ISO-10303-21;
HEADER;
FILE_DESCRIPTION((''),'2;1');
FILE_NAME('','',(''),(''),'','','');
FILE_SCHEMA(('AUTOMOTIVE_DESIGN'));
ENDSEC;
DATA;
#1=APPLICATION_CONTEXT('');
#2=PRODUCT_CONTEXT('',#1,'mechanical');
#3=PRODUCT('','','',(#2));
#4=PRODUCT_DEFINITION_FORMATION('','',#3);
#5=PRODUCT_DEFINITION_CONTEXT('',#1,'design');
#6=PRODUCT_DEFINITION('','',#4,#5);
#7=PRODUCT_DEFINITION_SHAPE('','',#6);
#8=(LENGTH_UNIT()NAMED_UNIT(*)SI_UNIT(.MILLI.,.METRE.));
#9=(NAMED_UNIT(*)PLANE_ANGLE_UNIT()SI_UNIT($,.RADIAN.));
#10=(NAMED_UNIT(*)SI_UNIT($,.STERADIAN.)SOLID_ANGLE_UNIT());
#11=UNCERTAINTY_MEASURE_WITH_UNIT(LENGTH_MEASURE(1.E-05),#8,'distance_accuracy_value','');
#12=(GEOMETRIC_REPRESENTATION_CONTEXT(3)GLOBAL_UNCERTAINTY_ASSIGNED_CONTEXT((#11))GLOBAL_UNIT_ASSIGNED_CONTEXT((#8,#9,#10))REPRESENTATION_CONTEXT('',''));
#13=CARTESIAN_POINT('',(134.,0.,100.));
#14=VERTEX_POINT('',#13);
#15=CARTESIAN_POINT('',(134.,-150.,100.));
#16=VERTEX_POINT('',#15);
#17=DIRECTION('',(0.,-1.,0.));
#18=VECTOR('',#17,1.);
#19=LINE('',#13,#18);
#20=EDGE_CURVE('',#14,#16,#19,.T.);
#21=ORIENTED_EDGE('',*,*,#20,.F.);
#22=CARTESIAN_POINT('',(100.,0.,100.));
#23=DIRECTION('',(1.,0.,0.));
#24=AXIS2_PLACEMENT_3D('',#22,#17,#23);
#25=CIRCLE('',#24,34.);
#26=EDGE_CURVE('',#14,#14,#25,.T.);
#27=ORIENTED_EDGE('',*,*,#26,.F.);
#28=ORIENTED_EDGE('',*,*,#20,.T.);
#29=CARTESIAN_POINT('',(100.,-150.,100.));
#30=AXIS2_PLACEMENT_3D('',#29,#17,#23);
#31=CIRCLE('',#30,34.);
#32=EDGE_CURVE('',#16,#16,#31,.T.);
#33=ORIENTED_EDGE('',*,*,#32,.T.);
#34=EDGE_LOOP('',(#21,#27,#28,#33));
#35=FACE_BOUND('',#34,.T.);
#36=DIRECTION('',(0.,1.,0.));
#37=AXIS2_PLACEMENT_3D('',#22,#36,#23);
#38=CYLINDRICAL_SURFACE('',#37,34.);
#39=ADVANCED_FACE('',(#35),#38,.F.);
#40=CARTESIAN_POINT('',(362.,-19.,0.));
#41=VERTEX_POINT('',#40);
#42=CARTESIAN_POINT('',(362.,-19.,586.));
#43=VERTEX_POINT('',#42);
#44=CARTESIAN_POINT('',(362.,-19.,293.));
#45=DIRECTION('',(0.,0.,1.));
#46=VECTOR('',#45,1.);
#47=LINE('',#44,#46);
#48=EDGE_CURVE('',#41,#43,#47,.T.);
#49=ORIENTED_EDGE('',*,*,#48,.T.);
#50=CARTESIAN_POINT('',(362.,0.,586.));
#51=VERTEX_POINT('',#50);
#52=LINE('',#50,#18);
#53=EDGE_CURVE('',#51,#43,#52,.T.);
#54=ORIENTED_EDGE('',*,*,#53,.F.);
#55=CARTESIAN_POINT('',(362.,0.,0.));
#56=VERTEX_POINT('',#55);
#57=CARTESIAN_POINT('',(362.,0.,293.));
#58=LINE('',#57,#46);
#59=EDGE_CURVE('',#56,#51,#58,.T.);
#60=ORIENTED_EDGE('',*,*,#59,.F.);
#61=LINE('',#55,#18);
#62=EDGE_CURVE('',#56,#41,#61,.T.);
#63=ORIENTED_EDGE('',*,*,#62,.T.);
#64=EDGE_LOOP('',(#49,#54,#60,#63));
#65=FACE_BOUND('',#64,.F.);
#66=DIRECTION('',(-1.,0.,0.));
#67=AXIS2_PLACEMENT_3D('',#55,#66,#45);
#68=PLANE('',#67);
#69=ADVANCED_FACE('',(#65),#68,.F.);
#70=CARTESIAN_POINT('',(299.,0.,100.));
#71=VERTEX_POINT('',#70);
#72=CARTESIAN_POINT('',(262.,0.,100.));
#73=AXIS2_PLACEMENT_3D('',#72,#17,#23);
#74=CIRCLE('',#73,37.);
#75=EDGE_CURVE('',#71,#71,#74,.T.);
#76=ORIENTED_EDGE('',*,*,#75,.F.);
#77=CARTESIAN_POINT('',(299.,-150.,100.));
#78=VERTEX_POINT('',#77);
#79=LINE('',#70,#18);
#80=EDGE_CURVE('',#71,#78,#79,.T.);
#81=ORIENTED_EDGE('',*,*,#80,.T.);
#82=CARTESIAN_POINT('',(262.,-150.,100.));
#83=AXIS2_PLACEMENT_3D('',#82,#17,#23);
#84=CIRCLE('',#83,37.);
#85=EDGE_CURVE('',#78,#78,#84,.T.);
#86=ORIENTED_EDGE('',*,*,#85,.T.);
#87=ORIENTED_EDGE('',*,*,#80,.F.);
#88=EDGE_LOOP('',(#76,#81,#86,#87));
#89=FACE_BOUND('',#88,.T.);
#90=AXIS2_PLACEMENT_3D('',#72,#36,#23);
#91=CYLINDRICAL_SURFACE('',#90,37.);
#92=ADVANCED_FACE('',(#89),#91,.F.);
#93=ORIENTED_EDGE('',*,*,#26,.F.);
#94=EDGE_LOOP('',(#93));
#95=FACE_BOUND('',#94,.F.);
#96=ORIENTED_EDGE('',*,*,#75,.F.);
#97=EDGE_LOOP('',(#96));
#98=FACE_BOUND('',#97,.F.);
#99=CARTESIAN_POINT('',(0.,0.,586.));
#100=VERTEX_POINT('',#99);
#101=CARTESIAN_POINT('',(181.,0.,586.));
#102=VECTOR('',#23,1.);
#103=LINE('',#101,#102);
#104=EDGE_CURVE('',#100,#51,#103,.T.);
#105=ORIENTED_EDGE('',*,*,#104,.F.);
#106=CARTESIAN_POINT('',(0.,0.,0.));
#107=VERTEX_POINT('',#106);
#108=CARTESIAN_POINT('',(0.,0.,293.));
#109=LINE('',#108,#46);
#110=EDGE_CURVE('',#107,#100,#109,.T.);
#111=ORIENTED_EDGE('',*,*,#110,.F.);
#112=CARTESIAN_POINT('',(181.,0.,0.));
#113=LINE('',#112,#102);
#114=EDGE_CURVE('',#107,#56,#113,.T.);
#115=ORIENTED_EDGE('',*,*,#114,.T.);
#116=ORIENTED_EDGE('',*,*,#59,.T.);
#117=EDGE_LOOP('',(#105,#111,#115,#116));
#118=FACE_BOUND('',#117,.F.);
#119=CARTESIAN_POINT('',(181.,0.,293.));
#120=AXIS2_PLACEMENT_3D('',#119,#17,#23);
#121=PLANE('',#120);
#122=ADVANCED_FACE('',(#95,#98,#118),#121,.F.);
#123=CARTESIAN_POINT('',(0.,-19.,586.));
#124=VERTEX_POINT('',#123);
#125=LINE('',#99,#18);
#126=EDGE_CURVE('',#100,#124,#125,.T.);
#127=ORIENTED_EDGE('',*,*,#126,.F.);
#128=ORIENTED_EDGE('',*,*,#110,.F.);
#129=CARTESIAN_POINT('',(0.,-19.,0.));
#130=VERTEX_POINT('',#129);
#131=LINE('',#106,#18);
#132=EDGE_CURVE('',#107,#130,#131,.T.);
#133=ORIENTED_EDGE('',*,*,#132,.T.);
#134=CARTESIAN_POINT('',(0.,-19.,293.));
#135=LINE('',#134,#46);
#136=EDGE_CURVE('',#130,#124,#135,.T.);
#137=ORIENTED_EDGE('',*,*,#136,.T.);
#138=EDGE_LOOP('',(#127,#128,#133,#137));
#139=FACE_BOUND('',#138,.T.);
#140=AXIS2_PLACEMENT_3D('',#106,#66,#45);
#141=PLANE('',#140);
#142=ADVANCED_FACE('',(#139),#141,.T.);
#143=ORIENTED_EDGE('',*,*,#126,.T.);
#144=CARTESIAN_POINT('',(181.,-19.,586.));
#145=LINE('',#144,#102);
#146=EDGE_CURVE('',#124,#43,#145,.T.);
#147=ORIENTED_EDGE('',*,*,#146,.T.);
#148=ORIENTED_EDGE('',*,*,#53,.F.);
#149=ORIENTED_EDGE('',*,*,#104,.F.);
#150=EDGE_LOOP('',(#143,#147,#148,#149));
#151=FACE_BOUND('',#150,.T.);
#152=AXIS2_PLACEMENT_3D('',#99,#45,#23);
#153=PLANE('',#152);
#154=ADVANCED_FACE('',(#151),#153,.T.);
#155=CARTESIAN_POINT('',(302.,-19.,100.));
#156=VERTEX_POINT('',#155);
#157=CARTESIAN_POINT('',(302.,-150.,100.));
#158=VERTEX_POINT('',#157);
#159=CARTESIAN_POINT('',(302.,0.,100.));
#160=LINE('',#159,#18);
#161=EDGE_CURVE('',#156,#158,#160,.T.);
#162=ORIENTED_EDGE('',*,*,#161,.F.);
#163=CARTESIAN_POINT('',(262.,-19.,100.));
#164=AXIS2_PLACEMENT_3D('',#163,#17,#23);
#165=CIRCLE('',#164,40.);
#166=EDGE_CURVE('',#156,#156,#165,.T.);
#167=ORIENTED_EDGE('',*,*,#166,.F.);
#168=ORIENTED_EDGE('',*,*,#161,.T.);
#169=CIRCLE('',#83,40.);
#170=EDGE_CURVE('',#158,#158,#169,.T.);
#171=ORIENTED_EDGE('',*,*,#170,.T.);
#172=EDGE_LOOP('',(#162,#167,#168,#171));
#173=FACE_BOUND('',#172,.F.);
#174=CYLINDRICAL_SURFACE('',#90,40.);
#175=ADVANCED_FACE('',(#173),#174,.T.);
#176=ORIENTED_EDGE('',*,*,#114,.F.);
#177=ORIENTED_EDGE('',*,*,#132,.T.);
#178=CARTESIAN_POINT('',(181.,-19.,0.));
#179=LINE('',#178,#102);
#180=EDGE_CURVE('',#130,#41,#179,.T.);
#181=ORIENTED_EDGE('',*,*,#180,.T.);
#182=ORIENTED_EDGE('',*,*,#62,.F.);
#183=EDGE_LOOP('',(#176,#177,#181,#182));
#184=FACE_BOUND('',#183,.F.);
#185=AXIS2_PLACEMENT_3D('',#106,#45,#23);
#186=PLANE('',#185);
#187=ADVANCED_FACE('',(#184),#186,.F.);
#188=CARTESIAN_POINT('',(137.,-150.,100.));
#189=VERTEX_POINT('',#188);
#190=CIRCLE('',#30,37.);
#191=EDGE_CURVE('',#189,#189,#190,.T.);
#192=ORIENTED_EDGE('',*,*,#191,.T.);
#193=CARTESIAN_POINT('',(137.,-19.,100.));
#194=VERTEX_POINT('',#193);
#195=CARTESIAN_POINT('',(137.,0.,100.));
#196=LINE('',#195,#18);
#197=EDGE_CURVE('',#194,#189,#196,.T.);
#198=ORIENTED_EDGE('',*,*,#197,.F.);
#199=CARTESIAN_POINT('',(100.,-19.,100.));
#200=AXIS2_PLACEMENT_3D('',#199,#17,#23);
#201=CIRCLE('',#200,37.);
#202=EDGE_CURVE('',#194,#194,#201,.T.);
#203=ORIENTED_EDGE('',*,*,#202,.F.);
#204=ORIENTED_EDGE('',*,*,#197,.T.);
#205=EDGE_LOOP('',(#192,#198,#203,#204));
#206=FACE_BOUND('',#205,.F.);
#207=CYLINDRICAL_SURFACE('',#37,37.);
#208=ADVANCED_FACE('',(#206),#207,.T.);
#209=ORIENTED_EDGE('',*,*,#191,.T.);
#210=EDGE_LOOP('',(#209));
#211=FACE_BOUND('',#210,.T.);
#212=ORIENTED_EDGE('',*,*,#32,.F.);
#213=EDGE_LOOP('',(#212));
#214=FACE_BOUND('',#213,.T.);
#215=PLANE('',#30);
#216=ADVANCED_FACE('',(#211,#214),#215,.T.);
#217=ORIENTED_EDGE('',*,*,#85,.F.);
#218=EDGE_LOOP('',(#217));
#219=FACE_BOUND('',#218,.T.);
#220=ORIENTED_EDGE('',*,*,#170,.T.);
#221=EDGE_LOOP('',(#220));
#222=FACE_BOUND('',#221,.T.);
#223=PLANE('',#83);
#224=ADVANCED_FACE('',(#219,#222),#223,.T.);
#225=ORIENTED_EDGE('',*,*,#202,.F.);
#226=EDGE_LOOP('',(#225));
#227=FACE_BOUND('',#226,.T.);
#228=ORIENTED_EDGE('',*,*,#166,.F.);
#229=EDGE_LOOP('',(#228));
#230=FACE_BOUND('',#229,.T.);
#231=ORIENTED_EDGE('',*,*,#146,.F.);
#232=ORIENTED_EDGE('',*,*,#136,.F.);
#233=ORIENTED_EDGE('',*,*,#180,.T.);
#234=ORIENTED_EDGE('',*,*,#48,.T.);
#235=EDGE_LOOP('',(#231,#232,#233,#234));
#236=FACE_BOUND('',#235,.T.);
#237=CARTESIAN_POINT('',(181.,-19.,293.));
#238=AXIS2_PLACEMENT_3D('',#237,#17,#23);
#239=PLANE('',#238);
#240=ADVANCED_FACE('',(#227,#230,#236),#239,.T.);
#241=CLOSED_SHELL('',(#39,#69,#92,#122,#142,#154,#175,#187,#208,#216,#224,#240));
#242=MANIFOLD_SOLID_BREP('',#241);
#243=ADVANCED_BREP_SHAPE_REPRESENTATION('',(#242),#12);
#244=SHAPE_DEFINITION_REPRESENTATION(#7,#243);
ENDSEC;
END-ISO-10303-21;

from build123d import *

# Parameters (mm, degrees)
F0_W     = 362
F0_H     = 586
F0_R     = 37
F0_R_2   = 40
F1_DEPTH = 19
F2_DEPTH = 150
F0_R_3   = 34
F3_DEPTH = 150


with BuildPart() as f1:
    # F0 (on Front) → F1 (new body)
    with BuildSketch(Plane.XZ):
        with Locations((181, 293)):
            Rectangle(F0_W, F0_H)
        with Locations((100, 100)):
            Circle(F0_R, mode=Mode.SUBTRACT)
        with Locations((262, 100)):
            Circle(F0_R_2, mode=Mode.SUBTRACT)
    extrude(amount=F1_DEPTH)

    # F0 (on Front) → F2 (join)
    with BuildSketch(Plane.XZ):
        with Locations((262, 100)):
            Circle(F0_R_2)
        with Locations((262, 100)):
            Circle(F0_R, mode=Mode.SUBTRACT)
    extrude(amount=F2_DEPTH)

    # F0 (on Front) → F3 (join)
    with BuildSketch(Plane.XZ):
        with Locations((100, 100)):
            Circle(F0_R)
        with Locations((100, 100)):
            Circle(F0_R_3, mode=Mode.SUBTRACT)
    extrude(amount=F3_DEPTH)


solid = f1.part
